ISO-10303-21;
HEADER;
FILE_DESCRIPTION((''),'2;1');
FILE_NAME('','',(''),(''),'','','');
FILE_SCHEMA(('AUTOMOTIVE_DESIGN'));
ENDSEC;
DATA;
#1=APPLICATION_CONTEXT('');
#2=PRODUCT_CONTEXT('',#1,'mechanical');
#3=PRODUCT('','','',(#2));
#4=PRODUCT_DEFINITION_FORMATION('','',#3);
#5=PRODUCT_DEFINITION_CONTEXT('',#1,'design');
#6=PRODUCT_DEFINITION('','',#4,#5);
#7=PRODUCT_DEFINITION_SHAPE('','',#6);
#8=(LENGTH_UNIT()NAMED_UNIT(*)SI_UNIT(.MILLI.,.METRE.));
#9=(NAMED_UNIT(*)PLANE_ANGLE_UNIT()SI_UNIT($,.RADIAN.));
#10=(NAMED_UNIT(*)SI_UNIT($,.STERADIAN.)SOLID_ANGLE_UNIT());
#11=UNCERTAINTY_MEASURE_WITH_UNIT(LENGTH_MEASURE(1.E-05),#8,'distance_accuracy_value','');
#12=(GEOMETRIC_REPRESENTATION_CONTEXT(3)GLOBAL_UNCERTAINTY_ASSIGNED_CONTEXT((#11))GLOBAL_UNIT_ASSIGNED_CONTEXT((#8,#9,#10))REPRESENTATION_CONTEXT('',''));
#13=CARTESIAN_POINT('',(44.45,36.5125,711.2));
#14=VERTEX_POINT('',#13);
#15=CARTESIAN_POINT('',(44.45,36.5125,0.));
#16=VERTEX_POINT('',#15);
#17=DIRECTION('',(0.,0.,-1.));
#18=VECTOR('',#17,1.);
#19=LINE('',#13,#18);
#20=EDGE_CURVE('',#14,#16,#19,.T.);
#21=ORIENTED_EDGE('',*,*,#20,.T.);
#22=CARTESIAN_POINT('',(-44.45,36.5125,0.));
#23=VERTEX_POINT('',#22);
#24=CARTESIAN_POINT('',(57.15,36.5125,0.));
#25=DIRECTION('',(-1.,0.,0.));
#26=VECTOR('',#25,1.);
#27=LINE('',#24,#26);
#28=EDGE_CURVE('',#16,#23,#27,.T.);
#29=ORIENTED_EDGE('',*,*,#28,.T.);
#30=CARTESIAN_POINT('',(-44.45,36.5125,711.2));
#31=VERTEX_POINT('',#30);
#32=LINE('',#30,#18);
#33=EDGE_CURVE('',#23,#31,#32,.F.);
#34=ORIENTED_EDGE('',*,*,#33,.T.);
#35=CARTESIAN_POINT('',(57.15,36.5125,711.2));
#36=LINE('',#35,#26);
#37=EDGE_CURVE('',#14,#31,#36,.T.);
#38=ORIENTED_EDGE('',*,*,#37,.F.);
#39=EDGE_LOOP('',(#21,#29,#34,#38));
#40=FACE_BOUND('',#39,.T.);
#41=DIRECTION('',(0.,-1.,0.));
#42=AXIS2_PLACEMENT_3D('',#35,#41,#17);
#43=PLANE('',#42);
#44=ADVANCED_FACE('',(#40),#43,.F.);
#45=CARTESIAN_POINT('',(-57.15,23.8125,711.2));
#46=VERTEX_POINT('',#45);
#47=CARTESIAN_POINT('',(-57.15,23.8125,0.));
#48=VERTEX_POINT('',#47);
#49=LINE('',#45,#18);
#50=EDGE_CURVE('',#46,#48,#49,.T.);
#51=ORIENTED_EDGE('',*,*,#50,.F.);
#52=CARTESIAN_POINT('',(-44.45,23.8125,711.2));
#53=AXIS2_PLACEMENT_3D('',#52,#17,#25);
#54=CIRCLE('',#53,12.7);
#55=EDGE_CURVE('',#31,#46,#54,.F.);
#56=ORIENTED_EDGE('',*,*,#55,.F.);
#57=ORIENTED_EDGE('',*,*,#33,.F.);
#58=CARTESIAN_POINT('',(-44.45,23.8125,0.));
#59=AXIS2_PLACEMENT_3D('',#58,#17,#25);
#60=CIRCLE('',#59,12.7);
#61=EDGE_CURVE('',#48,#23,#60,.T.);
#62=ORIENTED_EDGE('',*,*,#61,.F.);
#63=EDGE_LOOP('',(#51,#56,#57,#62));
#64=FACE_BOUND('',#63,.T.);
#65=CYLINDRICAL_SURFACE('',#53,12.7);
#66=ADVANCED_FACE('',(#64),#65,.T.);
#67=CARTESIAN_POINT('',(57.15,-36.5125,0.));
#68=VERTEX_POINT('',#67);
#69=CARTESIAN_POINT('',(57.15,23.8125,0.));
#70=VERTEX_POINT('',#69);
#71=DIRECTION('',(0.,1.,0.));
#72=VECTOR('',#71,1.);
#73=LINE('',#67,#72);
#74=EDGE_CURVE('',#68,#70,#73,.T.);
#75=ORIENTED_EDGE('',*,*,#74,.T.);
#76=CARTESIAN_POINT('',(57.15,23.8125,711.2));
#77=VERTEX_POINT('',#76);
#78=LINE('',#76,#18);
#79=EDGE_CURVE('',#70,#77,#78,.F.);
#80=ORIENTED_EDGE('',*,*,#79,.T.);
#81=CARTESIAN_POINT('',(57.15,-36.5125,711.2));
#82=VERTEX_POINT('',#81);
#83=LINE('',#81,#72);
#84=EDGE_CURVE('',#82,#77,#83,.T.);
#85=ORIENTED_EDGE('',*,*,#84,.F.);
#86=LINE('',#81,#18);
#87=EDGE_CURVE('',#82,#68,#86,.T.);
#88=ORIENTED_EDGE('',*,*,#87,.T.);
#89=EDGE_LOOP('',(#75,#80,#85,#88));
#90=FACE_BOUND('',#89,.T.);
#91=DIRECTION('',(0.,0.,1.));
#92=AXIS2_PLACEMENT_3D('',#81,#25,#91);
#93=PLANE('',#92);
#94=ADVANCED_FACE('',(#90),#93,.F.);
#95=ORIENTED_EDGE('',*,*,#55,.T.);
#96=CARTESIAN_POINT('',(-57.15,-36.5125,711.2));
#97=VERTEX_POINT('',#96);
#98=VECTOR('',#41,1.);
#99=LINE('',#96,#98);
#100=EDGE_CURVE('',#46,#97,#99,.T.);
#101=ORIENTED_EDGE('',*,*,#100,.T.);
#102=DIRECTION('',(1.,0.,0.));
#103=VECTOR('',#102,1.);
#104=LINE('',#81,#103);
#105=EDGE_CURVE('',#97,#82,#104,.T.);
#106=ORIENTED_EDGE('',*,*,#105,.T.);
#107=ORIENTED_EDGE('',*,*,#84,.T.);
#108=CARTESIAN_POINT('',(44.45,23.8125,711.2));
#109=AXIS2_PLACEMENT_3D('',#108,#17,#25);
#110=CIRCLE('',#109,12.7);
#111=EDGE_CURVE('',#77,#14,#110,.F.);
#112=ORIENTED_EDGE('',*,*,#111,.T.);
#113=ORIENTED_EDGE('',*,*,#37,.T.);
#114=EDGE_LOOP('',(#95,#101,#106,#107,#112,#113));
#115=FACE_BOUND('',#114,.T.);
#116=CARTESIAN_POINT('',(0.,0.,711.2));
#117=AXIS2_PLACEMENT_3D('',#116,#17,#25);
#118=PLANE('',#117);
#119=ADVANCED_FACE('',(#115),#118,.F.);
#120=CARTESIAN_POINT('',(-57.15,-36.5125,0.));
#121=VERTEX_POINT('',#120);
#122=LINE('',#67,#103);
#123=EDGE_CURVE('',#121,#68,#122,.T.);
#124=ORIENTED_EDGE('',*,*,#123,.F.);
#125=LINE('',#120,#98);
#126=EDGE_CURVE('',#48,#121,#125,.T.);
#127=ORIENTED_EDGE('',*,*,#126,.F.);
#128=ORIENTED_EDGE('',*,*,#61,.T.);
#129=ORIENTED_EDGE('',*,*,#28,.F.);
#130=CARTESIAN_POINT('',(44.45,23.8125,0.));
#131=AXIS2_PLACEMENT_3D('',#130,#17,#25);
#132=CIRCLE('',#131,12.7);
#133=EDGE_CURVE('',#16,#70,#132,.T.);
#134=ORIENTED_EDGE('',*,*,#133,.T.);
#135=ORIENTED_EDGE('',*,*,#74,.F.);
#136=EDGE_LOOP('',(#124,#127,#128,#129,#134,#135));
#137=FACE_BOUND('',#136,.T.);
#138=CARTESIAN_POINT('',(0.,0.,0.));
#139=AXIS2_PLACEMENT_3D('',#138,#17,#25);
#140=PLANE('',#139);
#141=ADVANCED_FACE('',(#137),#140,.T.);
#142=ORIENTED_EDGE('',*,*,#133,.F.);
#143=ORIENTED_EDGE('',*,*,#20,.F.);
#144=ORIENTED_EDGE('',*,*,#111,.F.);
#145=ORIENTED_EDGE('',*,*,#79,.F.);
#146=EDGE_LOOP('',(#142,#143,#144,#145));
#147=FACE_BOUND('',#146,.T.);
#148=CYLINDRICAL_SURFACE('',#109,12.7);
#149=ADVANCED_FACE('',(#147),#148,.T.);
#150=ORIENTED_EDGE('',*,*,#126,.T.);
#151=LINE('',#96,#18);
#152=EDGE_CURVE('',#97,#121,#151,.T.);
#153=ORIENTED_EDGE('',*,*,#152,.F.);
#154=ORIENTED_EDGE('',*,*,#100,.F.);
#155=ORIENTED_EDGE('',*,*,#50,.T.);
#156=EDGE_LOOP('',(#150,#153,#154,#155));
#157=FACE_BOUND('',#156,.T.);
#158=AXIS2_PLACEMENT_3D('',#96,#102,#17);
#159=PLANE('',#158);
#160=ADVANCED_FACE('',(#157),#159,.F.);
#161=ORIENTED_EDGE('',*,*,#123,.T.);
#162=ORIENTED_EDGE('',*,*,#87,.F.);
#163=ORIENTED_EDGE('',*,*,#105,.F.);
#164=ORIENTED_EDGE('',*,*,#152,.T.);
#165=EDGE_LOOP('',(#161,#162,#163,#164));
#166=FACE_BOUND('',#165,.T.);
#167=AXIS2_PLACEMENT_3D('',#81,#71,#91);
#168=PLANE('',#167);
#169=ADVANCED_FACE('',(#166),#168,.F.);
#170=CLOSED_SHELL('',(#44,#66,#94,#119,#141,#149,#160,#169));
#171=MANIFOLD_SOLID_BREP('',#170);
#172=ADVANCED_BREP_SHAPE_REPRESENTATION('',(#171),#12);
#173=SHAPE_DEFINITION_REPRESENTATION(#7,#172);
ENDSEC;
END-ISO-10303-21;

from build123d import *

# Parameters (mm, degrees)
SKETCH1_W           = 73.025
SKETCH1_H           = 114.3
BOSS_EXTRUDE1_DEPTH = 711.2
FILLET1_R           = 12.7


with BuildPart() as part:
    # Sketch1 → Boss-Extrude1 (new body)
    with BuildSketch(Plane(origin=(0, 0, 0), x_dir=(0, 1, 0), z_dir=(0, 0, 1))):
        Rectangle(SKETCH1_W, SKETCH1_H)
    extrude(amount=BOSS_EXTRUDE1_DEPTH)

    # Fillet1
    fillet1_edges = [part.edges().sort_by_distance(p)[0] for p in [
        (57.15, 36.5125, 355.6),
        (-57.15, 36.5125, 355.6),
    ]]
    fillet(fillet1_edges, radius=FILLET1_R)


solid = part.part
